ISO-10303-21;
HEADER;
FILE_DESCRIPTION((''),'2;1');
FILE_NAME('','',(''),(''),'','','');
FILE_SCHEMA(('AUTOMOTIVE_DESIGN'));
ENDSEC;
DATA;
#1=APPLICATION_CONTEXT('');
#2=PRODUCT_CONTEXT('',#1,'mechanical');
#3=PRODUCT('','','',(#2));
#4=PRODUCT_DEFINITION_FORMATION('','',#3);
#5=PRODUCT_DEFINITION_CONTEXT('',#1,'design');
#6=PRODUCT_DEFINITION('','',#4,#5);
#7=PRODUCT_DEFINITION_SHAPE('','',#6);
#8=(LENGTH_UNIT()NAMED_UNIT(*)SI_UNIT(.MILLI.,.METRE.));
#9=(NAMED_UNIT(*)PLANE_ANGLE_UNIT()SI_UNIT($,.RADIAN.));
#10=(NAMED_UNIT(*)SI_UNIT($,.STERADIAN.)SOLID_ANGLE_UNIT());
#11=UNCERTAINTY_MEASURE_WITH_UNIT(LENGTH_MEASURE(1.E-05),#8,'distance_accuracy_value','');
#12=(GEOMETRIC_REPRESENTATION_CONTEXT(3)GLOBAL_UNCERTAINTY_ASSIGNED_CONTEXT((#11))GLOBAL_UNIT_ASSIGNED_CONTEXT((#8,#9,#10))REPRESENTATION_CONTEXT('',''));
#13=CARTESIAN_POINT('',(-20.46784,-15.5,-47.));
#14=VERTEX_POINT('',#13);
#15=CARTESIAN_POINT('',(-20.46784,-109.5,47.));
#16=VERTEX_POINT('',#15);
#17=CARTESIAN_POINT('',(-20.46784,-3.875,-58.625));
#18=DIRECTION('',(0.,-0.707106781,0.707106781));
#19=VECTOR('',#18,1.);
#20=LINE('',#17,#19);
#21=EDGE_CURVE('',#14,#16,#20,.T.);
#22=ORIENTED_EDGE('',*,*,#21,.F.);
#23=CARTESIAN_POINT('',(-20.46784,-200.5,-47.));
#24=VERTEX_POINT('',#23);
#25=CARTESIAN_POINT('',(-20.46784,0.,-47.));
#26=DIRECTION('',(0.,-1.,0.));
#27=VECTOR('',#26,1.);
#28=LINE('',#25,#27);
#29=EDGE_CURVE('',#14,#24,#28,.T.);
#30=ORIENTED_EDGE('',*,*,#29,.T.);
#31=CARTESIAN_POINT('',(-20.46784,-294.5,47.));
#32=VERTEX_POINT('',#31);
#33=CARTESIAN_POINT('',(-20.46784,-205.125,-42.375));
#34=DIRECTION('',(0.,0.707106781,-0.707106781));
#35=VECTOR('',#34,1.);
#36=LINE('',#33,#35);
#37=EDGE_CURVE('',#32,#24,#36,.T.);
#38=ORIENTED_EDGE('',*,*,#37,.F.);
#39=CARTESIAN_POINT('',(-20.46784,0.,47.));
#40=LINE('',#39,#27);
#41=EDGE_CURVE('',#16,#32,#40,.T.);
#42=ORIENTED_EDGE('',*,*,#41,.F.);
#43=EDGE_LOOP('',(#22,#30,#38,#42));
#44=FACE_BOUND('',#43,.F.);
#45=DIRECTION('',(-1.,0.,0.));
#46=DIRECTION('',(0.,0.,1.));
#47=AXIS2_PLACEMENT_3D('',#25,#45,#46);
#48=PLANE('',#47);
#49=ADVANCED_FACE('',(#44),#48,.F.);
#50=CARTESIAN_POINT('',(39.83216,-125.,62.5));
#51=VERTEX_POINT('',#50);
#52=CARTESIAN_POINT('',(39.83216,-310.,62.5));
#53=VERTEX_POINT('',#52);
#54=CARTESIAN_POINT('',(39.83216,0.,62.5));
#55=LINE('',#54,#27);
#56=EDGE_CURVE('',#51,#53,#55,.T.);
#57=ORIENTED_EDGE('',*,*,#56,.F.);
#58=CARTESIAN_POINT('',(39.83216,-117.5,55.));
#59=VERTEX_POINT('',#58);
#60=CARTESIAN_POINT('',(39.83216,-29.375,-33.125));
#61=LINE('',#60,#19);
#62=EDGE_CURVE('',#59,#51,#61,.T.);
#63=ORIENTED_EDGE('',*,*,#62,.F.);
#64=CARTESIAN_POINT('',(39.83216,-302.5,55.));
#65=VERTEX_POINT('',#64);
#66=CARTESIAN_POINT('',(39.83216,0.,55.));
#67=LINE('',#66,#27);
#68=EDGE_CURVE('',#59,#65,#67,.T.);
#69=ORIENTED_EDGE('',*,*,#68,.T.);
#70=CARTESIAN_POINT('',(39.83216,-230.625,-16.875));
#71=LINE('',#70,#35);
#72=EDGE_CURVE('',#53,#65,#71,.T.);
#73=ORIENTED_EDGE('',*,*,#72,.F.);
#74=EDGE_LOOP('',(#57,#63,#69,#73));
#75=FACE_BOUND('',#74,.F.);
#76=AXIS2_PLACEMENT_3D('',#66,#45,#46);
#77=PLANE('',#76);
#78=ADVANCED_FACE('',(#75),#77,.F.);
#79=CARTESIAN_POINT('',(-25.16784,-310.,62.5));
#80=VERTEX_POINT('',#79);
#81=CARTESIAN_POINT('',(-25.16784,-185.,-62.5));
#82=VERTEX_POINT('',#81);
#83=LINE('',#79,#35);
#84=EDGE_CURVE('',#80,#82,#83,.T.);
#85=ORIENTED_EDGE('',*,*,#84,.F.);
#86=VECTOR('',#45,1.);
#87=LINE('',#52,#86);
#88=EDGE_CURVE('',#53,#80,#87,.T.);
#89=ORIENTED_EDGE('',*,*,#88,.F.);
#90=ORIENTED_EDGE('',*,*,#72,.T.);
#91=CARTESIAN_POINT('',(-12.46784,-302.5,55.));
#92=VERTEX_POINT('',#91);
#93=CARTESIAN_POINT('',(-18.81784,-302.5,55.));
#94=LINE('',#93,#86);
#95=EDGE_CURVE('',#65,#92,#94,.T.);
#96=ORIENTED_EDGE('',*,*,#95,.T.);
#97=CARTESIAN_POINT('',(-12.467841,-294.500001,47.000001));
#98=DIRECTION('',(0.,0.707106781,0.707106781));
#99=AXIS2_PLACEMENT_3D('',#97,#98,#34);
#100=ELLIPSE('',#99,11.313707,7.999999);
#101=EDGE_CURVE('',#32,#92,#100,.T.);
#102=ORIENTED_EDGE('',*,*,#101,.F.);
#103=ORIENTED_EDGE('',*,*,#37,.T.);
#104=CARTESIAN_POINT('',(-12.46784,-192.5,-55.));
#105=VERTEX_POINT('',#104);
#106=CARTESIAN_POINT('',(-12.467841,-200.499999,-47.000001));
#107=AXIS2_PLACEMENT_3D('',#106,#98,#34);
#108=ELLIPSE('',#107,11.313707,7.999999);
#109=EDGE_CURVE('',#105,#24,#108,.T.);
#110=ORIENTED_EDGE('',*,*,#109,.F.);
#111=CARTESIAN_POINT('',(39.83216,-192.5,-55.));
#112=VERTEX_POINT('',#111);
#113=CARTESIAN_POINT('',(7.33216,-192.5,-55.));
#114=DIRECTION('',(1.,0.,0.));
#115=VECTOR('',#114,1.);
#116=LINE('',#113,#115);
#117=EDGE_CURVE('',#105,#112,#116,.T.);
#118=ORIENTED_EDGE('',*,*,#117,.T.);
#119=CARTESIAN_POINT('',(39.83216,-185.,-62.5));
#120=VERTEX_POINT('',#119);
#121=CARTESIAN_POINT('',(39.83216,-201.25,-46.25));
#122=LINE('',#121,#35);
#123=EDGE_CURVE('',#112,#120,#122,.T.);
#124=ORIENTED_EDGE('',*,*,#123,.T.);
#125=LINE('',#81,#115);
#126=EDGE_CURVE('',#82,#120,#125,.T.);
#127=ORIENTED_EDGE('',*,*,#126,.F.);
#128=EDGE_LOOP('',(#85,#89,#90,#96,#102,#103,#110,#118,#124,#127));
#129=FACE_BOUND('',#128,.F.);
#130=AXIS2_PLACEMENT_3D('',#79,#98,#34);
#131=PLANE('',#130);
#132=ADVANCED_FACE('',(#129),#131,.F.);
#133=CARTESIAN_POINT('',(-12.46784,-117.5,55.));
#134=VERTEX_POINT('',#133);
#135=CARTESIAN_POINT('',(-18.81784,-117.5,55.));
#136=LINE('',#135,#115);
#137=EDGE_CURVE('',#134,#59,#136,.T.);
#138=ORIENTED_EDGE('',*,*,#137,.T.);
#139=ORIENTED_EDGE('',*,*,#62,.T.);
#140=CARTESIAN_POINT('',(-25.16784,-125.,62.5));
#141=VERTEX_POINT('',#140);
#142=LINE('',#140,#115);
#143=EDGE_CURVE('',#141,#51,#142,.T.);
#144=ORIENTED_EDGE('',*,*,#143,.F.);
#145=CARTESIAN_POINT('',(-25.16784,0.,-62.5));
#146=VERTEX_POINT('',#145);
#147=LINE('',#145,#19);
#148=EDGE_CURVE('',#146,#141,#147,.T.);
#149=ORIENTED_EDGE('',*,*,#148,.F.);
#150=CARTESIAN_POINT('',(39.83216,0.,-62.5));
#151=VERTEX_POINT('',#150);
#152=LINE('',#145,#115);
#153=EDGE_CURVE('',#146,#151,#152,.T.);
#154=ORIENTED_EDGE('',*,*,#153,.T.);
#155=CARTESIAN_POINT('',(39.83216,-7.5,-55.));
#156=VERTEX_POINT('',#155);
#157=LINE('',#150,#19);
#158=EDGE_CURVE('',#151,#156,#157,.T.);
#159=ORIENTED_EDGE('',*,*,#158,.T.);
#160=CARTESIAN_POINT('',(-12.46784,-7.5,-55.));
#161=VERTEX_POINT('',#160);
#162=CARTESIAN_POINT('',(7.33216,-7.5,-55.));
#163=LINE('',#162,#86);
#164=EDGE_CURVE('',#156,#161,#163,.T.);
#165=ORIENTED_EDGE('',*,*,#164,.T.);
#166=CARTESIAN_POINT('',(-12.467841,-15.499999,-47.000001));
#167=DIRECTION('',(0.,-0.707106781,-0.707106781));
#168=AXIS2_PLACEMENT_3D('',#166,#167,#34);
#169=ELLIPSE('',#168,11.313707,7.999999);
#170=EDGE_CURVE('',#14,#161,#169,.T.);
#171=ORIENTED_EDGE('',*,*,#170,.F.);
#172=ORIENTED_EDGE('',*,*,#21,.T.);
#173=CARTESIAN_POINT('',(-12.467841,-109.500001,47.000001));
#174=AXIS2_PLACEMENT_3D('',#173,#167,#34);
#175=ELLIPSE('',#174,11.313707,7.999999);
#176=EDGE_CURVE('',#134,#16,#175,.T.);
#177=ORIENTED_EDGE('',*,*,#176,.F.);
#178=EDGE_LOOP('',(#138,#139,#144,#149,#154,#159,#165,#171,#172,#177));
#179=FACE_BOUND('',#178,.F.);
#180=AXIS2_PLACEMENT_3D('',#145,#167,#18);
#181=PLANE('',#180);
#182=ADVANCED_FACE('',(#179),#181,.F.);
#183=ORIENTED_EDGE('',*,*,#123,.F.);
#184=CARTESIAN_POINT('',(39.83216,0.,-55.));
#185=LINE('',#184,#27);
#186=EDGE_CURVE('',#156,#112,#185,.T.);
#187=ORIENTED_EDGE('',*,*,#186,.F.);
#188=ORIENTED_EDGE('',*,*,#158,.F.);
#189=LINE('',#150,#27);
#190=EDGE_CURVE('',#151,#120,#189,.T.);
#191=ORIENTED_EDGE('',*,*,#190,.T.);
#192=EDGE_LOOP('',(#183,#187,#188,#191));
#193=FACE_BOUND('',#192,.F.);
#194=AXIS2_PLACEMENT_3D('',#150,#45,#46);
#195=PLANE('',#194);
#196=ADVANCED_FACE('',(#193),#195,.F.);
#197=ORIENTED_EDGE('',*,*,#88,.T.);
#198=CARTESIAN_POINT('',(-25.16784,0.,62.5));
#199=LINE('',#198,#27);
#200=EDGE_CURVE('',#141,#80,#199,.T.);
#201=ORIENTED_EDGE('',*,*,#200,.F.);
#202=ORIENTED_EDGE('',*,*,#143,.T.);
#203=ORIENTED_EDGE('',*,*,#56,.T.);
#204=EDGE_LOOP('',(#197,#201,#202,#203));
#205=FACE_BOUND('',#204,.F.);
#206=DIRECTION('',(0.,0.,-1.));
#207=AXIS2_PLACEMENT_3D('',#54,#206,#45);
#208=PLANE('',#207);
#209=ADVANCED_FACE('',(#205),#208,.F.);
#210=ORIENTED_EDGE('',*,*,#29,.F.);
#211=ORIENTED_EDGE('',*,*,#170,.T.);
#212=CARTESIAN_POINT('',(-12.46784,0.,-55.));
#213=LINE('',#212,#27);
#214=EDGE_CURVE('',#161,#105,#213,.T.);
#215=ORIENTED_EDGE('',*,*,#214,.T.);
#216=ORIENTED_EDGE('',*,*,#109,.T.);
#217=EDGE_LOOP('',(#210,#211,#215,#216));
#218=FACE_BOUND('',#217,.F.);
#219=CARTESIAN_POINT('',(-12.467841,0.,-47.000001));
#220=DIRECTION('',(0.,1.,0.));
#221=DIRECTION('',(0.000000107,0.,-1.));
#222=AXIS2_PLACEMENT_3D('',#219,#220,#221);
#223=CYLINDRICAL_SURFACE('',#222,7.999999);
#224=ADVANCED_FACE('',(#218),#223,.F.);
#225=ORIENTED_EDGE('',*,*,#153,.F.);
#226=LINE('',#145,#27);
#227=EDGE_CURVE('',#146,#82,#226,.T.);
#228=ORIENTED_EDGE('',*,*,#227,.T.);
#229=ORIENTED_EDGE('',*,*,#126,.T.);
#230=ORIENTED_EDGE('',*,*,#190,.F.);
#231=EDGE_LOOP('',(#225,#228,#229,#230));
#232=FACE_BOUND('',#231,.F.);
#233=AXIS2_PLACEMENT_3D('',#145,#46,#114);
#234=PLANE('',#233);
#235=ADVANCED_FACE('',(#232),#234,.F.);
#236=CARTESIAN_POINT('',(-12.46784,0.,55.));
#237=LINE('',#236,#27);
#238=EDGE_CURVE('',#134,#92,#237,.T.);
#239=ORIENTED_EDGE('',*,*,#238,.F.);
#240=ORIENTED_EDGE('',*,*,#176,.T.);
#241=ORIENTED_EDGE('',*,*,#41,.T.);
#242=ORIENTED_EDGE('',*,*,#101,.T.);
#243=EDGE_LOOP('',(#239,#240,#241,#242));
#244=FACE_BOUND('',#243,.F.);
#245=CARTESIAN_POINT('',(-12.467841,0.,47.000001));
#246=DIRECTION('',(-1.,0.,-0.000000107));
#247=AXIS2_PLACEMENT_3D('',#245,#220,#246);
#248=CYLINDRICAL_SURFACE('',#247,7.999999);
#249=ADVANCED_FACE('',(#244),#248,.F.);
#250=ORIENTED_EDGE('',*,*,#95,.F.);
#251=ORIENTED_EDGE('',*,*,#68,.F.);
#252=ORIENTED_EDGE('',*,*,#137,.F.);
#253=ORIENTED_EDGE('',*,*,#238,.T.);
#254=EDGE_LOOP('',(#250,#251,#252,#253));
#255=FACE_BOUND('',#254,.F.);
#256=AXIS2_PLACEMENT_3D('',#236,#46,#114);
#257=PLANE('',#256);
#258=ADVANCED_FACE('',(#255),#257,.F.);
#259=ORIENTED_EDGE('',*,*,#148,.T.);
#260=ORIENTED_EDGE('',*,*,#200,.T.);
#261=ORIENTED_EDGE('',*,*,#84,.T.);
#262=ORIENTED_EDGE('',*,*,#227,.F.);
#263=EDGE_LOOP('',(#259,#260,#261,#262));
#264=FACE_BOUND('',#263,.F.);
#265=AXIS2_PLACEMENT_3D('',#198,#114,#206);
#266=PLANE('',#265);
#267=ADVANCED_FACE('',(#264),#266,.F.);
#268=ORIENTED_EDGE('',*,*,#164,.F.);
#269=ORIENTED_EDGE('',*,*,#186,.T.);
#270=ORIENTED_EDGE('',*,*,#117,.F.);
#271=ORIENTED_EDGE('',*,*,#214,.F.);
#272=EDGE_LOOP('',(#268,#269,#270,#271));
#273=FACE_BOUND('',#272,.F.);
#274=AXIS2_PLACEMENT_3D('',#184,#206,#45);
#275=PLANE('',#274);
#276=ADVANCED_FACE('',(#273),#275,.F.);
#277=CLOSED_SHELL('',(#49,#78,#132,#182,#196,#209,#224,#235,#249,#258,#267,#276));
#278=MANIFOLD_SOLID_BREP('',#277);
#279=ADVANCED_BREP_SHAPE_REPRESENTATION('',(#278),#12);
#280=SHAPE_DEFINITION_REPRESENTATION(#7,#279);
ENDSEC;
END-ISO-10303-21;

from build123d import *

# Parameters (mm, degrees)
F1_DEPTH = 310
F3_DEPTH = 65.001


with BuildPart() as f1:
    # F0 (on Front) → F1 (new body)
    with BuildSketch(Plane.XZ):
        with BuildLine():
            Line((-25.16784, 62.5), (-25.16784, -62.5))
            Line((-25.16784, -62.5), (39.83216, -62.5))
            Line((39.83216, -62.5), (39.83216, -55))
            Line((39.83216, -55), (-12.46784, -55))
            ThreePointArc((-12.46784, -55), (-18.124695, -52.656854), (-20.46784, -47))
            Line((-20.46784, -47), (-20.46784, 47))
            ThreePointArc((-20.46784, 47), (-18.124695, 52.656854), (-12.46784, 55))
            Line((-12.46784, 55), (39.83216, 55))
            Line((39.83216, 55), (39.83216, 62.5))
            Line((39.83216, 62.5), (-25.16784, 62.5))
        make_face()
    extrude(amount=F1_DEPTH)

    # F2 (on face) → F3 (cut, through all)
    with BuildSketch(Plane(origin=(-25.16784, 0, 0), x_dir=(0, -1, 0), z_dir=(-1, 0, 0))):
        Polygon((125, 62.5), (0, 62.5), (0, -62.5), align=None)
        Polygon((310, -62.5), (310, 62.5), (185, -62.5), align=None)
    extrude(amount=-F3_DEPTH, mode=Mode.SUBTRACT)


solid = f1.part
